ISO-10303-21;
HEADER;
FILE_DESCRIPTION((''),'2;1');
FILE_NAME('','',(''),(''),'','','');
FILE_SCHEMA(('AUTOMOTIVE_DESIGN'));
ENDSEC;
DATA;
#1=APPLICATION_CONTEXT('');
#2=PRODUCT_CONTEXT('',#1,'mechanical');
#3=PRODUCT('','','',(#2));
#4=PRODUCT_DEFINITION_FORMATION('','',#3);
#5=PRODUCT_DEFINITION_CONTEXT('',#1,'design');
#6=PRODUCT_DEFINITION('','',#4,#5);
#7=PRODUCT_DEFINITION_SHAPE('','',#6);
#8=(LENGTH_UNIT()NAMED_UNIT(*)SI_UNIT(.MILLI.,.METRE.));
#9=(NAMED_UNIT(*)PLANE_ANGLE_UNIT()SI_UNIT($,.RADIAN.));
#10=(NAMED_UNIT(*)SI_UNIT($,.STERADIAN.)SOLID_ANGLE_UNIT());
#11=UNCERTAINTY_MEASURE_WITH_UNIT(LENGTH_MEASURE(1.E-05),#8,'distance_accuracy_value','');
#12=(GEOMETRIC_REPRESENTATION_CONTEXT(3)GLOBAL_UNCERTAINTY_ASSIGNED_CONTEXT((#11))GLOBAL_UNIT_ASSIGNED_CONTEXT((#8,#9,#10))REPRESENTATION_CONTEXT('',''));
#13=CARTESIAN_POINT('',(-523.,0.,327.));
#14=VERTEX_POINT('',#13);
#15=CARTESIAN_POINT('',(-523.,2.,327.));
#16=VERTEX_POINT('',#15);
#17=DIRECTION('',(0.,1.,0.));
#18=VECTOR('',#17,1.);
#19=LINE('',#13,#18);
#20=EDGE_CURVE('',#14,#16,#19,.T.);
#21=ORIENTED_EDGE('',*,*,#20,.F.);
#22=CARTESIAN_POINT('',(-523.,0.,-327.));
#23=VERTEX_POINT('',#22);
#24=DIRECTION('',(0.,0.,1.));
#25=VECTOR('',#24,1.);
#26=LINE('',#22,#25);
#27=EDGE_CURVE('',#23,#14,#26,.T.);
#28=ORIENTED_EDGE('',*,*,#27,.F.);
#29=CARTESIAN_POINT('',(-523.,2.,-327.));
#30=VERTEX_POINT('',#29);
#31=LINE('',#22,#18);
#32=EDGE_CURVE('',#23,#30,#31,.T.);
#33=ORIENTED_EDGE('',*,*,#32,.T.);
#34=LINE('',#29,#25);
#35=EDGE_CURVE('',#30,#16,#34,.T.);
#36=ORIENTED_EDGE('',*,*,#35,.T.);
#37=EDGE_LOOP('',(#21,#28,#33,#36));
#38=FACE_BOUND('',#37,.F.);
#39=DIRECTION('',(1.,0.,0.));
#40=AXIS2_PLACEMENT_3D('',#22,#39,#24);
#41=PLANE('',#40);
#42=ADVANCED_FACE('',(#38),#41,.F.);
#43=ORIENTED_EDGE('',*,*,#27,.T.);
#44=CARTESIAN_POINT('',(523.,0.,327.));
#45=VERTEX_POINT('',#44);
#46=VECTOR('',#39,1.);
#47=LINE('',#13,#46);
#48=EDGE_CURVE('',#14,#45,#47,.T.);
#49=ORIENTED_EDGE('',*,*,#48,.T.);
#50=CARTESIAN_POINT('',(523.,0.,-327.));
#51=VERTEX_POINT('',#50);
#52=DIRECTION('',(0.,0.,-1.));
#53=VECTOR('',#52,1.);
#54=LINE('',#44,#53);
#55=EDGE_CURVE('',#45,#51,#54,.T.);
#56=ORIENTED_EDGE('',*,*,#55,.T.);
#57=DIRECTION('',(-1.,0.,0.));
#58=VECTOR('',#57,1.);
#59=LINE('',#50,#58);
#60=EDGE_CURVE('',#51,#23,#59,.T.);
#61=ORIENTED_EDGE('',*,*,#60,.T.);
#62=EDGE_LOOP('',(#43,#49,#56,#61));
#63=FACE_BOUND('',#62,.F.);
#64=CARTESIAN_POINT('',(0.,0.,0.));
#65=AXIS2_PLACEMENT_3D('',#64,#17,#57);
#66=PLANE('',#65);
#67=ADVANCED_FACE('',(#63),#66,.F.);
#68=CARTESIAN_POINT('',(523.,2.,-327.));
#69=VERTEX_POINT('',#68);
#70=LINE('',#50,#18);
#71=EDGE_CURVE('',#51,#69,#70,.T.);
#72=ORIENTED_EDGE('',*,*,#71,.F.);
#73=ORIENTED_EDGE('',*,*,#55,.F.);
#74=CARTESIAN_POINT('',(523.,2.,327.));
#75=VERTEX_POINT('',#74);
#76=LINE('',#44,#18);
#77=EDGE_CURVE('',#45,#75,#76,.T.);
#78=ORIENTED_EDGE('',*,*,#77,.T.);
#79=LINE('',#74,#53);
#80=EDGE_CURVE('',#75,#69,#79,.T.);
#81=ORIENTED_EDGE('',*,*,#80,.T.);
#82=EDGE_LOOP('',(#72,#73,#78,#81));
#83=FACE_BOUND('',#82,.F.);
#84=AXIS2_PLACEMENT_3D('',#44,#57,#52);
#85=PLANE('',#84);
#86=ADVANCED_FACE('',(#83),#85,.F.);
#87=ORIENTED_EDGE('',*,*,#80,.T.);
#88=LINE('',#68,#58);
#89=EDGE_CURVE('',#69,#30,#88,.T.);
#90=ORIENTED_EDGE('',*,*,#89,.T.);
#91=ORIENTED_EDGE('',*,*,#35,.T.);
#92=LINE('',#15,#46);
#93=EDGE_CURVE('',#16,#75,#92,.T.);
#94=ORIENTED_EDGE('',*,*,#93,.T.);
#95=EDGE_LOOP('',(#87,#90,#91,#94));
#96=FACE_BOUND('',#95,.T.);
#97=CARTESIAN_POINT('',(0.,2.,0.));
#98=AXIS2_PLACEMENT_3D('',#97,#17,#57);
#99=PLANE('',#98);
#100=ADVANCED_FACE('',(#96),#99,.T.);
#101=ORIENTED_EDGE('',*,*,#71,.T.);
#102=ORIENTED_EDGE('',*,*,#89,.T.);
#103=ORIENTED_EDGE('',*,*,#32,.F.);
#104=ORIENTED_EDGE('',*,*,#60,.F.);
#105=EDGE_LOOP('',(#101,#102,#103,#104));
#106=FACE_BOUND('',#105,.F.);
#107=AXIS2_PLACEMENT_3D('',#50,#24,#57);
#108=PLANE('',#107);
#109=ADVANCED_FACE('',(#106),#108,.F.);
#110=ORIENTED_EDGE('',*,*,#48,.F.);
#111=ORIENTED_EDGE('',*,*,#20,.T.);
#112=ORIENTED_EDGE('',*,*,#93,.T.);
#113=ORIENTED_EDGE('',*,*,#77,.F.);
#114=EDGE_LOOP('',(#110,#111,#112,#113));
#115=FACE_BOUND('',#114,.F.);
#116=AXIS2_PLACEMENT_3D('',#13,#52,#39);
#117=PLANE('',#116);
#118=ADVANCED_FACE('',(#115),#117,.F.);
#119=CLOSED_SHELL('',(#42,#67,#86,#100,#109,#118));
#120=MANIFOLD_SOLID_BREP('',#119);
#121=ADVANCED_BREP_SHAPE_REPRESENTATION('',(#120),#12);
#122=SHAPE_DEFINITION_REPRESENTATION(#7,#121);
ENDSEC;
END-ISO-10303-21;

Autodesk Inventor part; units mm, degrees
ref_plane "YZ Plane" through (0, 0, 0) normal (1, 0, 0) x (0, 1, 0)
ref_plane "XZ Plane" through (0, 0, 0) normal (0, 1, 0) x (-1, 0, 0)
ref_plane "XY Plane" through (0, 0, 0) normal (0, 0, 1) x (1, 0, 0)
sketch "Sketch1" plane through (0, 0, 0) normal (0, 1, 0) x (-1, 0, 0)
  line L0 (513, 317) -> (-513, 317)
  line L1 (-513, 317) -> (-513, -317)
  line L2 (-513, -317) -> (513, -317)
  line L3 (513, -317) -> (513, 317)
  line L4 (513, 317) -> (-513, -317) construction
  line L5 (-513, 317) -> (513, -317) construction
  line L6 (523, 327) -> (-523, 327)
  line L7 (-523, 327) -> (-523, -327)
  line L8 (-523, -327) -> (523, -327)
  line L9 (523, -327) -> (523, 327)
  line L10 (523, 327) -> (-523, -327) construction
  line L11 (-523, 327) -> (523, -327) construction
  point P0 (0, 0)
  dimension "d0" = 1026
  dimension "d1" = 634
  dimension "d2" = 1046
  dimension "d3" = 654
extrude "Extrusion1" add sketch "Sketch1" along normal blind 2
extrude "Extrusion2" add sketch "Sketch1" along normal blind 2 contours L3 L2 L1 L0
properties part number "panel"
